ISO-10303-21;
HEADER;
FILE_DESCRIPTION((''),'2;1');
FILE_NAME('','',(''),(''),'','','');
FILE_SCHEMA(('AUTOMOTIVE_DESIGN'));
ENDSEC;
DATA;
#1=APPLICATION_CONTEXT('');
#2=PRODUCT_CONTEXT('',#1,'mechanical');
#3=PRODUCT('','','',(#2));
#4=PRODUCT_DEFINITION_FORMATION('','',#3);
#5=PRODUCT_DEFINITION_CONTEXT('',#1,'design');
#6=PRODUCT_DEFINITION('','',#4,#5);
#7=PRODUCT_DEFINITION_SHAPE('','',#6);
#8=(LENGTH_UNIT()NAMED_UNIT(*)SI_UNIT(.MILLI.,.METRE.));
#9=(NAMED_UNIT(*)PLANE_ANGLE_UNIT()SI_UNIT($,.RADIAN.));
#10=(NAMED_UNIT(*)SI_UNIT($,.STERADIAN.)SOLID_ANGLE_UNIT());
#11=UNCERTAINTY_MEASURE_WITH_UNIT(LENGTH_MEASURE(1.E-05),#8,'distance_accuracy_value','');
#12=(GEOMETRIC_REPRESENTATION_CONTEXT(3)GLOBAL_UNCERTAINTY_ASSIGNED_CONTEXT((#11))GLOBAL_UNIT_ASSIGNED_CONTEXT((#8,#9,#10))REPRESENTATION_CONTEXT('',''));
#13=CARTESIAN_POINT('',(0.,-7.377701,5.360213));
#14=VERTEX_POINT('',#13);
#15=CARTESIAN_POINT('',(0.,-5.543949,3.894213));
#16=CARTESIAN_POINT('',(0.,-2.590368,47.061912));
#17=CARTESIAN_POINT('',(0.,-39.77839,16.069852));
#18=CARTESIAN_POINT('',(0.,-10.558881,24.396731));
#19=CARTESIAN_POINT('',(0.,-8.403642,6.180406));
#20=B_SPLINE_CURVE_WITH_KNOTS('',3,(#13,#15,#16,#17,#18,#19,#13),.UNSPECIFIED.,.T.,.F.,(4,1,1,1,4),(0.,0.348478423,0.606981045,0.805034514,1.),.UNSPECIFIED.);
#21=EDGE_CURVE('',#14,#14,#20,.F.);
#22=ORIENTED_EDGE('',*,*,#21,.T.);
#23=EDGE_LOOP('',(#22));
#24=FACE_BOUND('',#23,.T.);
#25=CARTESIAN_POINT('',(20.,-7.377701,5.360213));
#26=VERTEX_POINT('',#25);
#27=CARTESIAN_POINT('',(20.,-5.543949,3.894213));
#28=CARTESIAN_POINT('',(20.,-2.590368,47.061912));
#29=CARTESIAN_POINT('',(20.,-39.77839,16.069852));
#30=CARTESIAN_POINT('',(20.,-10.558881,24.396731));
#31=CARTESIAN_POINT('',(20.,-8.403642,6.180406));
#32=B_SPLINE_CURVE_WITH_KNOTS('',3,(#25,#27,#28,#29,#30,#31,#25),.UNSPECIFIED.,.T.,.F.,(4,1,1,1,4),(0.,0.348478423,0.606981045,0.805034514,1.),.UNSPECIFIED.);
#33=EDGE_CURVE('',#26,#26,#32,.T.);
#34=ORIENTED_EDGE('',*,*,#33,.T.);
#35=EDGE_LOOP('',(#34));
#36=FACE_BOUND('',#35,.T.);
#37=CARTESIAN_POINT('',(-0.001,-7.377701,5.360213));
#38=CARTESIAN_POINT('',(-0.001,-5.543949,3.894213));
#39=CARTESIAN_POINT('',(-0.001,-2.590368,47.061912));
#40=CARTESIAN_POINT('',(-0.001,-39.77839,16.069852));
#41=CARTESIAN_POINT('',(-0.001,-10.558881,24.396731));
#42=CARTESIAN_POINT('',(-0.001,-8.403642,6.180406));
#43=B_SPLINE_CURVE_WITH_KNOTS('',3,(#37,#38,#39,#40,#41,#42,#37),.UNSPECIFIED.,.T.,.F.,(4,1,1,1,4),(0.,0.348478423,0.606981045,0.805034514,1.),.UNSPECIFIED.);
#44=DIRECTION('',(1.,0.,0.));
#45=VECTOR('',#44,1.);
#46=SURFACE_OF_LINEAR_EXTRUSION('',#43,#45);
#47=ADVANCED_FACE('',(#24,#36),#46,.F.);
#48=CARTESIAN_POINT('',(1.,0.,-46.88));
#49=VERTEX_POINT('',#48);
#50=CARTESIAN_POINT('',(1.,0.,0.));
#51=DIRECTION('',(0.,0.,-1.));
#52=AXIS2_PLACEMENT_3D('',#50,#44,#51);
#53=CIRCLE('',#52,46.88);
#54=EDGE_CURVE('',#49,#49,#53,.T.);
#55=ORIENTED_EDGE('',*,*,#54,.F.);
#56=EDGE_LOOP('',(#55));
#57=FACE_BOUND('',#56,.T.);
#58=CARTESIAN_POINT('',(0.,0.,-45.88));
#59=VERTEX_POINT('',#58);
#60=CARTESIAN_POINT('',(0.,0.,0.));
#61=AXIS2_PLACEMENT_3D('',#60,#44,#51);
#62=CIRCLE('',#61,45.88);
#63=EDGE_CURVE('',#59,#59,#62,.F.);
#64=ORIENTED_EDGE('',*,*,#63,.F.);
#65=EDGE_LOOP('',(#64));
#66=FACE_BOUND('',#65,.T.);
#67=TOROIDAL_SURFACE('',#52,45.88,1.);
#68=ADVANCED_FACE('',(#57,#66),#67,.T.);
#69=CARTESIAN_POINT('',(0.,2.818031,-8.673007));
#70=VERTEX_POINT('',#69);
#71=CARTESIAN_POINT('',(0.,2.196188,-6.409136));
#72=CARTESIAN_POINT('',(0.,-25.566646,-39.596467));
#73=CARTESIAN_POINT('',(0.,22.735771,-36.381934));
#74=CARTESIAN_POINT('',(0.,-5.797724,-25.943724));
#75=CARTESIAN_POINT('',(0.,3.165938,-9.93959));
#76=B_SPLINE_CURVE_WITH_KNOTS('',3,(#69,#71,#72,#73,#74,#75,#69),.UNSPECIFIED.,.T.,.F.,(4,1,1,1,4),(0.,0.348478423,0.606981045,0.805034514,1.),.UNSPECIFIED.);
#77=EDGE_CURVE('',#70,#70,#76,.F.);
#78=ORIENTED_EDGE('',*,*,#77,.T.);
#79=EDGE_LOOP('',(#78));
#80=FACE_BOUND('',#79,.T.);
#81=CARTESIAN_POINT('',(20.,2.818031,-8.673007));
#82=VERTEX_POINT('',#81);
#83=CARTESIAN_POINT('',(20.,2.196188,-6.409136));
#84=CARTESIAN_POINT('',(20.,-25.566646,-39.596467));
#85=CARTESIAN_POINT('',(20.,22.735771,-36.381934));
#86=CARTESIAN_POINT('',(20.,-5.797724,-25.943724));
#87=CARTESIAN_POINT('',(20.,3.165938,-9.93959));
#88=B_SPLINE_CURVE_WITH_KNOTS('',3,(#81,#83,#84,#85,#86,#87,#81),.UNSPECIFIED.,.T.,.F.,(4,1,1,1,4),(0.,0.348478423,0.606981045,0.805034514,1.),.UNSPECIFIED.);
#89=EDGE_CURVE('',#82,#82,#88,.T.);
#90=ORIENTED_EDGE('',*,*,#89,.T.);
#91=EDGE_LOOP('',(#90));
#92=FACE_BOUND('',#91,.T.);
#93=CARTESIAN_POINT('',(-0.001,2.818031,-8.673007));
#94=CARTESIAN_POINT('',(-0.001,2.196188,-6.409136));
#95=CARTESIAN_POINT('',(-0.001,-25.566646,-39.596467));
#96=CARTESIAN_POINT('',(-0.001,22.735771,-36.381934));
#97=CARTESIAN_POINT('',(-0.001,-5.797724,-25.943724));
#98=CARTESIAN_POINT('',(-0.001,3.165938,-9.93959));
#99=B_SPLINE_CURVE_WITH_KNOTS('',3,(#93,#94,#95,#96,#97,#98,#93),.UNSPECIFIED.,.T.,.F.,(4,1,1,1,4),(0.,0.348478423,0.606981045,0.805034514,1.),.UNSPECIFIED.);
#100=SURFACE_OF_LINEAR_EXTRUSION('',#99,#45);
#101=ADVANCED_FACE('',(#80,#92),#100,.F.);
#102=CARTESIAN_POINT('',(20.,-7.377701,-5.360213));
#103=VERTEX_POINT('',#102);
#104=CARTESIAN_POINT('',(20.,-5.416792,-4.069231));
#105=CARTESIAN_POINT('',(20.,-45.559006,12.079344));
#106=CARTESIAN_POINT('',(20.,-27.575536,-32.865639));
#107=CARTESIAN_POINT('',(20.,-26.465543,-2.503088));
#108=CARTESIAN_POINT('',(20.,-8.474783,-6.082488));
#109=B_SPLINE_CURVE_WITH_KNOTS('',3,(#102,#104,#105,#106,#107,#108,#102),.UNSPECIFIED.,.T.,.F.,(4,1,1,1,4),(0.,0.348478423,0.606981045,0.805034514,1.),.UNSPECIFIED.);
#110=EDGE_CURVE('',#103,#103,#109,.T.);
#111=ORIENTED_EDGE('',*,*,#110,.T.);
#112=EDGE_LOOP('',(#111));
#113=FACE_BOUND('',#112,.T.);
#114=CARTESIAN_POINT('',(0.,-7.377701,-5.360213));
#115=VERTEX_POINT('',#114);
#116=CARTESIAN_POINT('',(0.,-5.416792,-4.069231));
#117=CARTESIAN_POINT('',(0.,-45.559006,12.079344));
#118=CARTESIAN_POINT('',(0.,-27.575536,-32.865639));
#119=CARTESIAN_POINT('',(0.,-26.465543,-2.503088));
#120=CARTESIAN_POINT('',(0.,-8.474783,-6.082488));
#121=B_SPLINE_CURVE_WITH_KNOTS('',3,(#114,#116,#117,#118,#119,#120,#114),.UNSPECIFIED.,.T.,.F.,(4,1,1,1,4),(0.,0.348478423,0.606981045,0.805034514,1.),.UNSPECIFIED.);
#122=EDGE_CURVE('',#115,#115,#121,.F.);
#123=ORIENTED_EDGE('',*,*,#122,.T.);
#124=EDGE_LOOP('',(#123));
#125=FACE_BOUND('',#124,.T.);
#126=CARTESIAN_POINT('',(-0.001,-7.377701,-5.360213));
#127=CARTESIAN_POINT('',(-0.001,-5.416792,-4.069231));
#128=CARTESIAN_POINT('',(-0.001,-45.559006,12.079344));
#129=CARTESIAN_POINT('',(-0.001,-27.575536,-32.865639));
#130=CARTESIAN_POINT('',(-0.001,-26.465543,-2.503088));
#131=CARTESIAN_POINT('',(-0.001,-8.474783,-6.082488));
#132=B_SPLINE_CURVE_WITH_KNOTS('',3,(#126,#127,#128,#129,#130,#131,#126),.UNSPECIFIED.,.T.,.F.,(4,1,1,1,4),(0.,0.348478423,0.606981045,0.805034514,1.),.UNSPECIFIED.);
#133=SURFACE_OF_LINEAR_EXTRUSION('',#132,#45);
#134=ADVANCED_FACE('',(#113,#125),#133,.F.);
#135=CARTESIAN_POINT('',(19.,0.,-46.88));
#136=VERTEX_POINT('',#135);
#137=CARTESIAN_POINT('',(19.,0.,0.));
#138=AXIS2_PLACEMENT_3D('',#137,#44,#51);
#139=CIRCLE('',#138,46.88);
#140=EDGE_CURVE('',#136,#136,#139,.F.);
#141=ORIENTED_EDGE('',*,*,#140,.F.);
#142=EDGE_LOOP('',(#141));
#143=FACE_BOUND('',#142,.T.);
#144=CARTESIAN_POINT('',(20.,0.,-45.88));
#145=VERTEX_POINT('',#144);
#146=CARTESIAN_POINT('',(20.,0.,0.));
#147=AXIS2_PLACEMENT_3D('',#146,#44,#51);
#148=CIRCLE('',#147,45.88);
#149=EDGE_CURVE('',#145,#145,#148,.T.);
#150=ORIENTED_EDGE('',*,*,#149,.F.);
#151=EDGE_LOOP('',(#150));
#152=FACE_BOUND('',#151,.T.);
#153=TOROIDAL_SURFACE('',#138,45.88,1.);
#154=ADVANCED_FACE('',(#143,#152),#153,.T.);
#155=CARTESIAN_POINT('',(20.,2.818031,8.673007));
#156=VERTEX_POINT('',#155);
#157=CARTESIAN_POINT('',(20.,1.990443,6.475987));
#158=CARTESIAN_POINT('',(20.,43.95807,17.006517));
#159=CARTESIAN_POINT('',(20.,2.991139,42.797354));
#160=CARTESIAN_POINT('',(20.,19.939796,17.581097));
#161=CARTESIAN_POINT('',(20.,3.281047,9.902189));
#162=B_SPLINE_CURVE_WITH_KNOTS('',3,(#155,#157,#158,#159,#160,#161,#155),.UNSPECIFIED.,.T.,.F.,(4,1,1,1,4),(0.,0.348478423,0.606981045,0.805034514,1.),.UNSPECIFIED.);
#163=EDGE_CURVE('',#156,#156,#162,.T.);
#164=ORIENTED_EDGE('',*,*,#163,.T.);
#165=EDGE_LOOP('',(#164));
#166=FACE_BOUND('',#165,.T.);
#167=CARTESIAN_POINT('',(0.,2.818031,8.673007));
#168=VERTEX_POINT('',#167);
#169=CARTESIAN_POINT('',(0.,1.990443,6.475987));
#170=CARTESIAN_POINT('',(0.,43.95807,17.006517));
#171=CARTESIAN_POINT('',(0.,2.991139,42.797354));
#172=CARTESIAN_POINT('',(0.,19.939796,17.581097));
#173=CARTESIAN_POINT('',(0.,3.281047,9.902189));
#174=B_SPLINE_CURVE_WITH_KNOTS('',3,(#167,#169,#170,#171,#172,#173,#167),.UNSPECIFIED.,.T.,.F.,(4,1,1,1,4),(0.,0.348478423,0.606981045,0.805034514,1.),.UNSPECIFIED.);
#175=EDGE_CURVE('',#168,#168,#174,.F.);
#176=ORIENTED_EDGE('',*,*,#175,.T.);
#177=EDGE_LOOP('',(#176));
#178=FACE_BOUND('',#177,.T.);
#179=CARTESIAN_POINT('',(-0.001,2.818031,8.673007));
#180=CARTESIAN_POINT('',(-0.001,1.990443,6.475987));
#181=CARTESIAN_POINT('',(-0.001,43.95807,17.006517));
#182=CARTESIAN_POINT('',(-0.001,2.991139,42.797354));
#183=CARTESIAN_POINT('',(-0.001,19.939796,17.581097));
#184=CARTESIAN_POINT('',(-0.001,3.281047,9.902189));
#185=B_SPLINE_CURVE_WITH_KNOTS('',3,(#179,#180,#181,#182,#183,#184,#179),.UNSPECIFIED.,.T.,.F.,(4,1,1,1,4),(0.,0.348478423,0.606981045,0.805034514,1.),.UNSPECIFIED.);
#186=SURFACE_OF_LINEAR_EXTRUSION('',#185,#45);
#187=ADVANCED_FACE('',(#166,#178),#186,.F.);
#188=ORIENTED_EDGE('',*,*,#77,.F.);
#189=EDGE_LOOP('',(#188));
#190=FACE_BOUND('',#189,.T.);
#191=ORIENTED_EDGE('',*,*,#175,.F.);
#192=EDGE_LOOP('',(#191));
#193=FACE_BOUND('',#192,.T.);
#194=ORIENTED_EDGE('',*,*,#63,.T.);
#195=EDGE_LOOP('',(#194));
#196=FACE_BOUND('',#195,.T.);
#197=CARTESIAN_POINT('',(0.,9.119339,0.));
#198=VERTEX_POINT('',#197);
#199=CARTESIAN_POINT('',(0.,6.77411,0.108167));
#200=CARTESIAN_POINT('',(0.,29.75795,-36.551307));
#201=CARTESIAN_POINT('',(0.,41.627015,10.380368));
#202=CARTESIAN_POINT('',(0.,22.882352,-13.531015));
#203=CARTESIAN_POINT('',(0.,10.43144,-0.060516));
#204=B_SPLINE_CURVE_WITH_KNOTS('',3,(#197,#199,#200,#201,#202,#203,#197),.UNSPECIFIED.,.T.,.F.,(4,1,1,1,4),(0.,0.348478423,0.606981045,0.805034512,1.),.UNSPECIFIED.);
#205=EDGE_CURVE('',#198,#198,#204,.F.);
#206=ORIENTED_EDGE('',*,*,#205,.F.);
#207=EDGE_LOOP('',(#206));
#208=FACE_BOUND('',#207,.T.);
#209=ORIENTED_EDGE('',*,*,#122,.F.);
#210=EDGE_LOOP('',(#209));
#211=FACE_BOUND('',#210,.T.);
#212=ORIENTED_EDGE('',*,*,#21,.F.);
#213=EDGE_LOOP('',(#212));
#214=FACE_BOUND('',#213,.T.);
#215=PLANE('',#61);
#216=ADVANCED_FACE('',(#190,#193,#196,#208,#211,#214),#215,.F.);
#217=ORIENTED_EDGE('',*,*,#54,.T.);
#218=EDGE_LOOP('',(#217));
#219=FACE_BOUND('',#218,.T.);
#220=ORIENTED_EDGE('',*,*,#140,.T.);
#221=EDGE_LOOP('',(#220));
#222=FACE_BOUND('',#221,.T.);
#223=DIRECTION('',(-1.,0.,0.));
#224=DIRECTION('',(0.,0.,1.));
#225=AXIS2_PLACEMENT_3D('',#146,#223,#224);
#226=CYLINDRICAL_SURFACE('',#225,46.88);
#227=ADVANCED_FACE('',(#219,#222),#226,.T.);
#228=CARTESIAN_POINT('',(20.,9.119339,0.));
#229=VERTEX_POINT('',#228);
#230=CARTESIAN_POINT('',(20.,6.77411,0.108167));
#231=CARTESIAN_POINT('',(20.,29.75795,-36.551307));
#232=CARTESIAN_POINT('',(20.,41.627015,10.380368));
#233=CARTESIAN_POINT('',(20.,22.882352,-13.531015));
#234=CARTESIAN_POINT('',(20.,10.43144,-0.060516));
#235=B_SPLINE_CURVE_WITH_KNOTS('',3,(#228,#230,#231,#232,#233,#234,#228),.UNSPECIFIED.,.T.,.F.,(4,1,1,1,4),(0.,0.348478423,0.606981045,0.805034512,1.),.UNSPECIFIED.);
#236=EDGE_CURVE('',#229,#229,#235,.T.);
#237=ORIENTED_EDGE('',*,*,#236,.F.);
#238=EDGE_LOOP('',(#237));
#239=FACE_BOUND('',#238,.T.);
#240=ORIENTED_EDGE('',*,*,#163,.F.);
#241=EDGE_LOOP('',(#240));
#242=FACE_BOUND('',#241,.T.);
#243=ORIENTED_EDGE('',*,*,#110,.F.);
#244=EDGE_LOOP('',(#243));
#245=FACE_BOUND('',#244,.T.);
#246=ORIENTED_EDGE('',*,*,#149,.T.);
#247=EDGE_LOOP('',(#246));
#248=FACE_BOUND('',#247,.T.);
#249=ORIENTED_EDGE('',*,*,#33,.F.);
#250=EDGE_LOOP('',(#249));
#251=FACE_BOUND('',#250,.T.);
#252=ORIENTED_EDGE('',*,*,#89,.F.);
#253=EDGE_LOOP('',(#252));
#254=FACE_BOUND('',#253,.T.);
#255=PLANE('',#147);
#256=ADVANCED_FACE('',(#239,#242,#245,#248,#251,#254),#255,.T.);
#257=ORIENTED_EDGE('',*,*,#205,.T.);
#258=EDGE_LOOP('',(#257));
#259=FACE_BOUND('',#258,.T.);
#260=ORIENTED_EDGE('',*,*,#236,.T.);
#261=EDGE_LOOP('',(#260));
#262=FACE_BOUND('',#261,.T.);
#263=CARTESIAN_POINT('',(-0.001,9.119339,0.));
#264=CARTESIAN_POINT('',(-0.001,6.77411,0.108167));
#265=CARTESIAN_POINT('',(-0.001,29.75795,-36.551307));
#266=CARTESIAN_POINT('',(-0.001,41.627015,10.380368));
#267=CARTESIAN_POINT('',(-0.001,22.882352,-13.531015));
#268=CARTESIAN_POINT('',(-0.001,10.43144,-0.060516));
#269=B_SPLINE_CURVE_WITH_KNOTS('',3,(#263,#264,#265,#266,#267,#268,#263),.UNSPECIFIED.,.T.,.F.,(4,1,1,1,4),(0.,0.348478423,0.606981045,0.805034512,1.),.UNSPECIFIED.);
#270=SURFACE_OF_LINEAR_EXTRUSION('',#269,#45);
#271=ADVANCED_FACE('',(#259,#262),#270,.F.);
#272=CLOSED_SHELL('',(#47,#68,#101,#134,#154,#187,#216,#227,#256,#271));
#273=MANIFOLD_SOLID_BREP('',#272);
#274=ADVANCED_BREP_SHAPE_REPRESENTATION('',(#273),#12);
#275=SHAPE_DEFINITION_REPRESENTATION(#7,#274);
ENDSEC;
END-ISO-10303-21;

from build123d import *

# Parameters (mm, degrees)
SKETCH1_R           = 46.88
BOSS_EXTRUDE1_DEPTH = 20
CUT_EXTRUDE1_REACH  = 71.249
FILLET2_R           = 1


with BuildPart() as part:
    # Sketch1 → Boss-Extrude1 (new body)
    with BuildSketch(Plane(origin=(0, 0, 0), x_dir=(0, 0, -1), z_dir=(1, 0, 0))):
        Circle(SKETCH1_R)
    extrude(amount=BOSS_EXTRUDE1_DEPTH)

    # Sketch3 → Cut-Extrude1 (cut, up to next)
    with BuildSketch(Plane(origin=(20, 0, 0), x_dir=(0, 0, -1), z_dir=(1, 0, 0)), mode=Mode.PRIVATE) as cut_extrude1_sk1:
        with BuildLine():
            add(Edge.make_bspline(
                [(-1.46e-07, 9.119339347), (0.060516465, 10.431440134), (13.531015459, 22.882352379), (-10.380367826, 41.627015345), (36.551306882, 29.75795013), (-0.108166639, 6.774109847), (-1.46e-07, 9.119339347)],
                knots=[0, 0, 0, 0, 0.194965488, 0.393018955, 0.651521577, 1, 1, 1, 1], degree=3))
        make_face()
    cut_extrude1_tool1 = extrude(cut_extrude1_sk1.sketch, amount=-CUT_EXTRUDE1_REACH, mode=Mode.PRIVATE) & part.part
    # Sketch3 → Cut-Extrude1 (cut, up to next)
    with BuildSketch(Plane(origin=(20, 0, 0), x_dir=(0, 0, -1), z_dir=(1, 0, 0)), mode=Mode.PRIVATE) as cut_extrude1_sk2:
        with BuildLine():
            add(Edge.make_bspline(
                [(8.673007313, 2.818030902), (9.939589964, 3.165937633), (25.943724031, -5.797724475), (36.381934165, 22.735771362), (39.59646716, -25.566645899), (6.409136243, 2.196187563), (8.673007313, 2.818030902)],
                knots=[0, 0, 0, 0, 0.194965486, 0.393018955, 0.651521577, 1, 1, 1, 1], degree=3))
        make_face()
    cut_extrude1_tool2 = extrude(cut_extrude1_sk2.sketch, amount=-CUT_EXTRUDE1_REACH, mode=Mode.PRIVATE) & part.part
    # Sketch3 → Cut-Extrude1 (cut, up to next)
    with BuildSketch(Plane(origin=(20, 0, 0), x_dir=(0, 0, -1), z_dir=(1, 0, 0)), mode=Mode.PRIVATE) as cut_extrude1_sk3:
        with BuildLine():
            add(Edge.make_bspline(
                [(5.360213304, -7.377700682), (6.082487832, -8.474783273), (2.503087981, -26.465543188), (32.865639452, -27.575535832), (-12.079343913, -45.559006187), (4.069230511, -5.416791508), (5.360213304, -7.377700682)],
                knots=[0, 0, 0, 0, 0.194965486, 0.393018955, 0.651521577, 1, 1, 1, 1], degree=3))
        make_face()
    cut_extrude1_tool3 = extrude(cut_extrude1_sk3.sketch, amount=-CUT_EXTRUDE1_REACH, mode=Mode.PRIVATE) & part.part
    # Sketch3 → Cut-Extrude1 (cut, up to next)
    with BuildSketch(Plane(origin=(20, 0, 0), x_dir=(0, 0, -1), z_dir=(1, 0, 0)), mode=Mode.PRIVATE) as cut_extrude1_sk4:
        with BuildLine():
            add(Edge.make_bspline(
                [(-5.360213304, -7.377700682), (-6.180405747, -8.403641743), (-24.396730582, -10.558880746), (-16.069851922, -39.778389764), (-47.06191226, -2.590368418), (-3.894213479, -5.543948824), (-5.360213304, -7.377700682)],
                knots=[0, 0, 0, 0, 0.194965486, 0.393018955, 0.651521577, 1, 1, 1, 1], degree=3))
        make_face()
    cut_extrude1_tool4 = extrude(cut_extrude1_sk4.sketch, amount=-CUT_EXTRUDE1_REACH, mode=Mode.PRIVATE) & part.part
    # Sketch3 → Cut-Extrude1 (cut, up to next)
    with BuildSketch(Plane(origin=(20, 0, 0), x_dir=(0, 0, -1), z_dir=(1, 0, 0)), mode=Mode.PRIVATE) as cut_extrude1_sk5:
        with BuildLine():
            add(Edge.make_bspline(
                [(-8.673007313, 2.818030902), (-9.902188648, 3.281047046), (-17.581096695, 19.939796004), (-42.797354134, 2.99113894), (-17.006517439, 43.958070461), (-6.4759868, 1.990442703), (-8.673007313, 2.818030902)],
                knots=[0, 0, 0, 0, 0.194965486, 0.393018955, 0.651521577, 1, 1, 1, 1], degree=3))
        make_face()
    cut_extrude1_tool5 = extrude(cut_extrude1_sk5.sketch, amount=-CUT_EXTRUDE1_REACH, mode=Mode.PRIVATE) & part.part
    add(cut_extrude1_tool1.solids().sort_by_distance((20, 25.258672, -9.373721))[0], mode=Mode.SUBTRACT)
    add(cut_extrude1_tool2.solids().sort_by_distance((20, -1.106293, -26.922344))[0], mode=Mode.SUBTRACT)
    add(cut_extrude1_tool3.solids().sort_by_distance((20, -25.944828, -7.283022))[0], mode=Mode.SUBTRACT)
    add(cut_extrude1_tool4.solids().sort_by_distance((20, -14.912682, 22.439569))[0], mode=Mode.SUBTRACT)
    add(cut_extrude1_tool5.solids().sort_by_distance((20, 16.723546, 21.13037))[0], mode=Mode.SUBTRACT)

    # Fillet2
    fillet2_edges = [part.edges().sort_by_distance(p)[0] for p in [
        (0, 0, 46.88),
        (20, 0, 46.88),
    ]]
    fillet(fillet2_edges, radius=FILLET2_R)


solid = part.part
